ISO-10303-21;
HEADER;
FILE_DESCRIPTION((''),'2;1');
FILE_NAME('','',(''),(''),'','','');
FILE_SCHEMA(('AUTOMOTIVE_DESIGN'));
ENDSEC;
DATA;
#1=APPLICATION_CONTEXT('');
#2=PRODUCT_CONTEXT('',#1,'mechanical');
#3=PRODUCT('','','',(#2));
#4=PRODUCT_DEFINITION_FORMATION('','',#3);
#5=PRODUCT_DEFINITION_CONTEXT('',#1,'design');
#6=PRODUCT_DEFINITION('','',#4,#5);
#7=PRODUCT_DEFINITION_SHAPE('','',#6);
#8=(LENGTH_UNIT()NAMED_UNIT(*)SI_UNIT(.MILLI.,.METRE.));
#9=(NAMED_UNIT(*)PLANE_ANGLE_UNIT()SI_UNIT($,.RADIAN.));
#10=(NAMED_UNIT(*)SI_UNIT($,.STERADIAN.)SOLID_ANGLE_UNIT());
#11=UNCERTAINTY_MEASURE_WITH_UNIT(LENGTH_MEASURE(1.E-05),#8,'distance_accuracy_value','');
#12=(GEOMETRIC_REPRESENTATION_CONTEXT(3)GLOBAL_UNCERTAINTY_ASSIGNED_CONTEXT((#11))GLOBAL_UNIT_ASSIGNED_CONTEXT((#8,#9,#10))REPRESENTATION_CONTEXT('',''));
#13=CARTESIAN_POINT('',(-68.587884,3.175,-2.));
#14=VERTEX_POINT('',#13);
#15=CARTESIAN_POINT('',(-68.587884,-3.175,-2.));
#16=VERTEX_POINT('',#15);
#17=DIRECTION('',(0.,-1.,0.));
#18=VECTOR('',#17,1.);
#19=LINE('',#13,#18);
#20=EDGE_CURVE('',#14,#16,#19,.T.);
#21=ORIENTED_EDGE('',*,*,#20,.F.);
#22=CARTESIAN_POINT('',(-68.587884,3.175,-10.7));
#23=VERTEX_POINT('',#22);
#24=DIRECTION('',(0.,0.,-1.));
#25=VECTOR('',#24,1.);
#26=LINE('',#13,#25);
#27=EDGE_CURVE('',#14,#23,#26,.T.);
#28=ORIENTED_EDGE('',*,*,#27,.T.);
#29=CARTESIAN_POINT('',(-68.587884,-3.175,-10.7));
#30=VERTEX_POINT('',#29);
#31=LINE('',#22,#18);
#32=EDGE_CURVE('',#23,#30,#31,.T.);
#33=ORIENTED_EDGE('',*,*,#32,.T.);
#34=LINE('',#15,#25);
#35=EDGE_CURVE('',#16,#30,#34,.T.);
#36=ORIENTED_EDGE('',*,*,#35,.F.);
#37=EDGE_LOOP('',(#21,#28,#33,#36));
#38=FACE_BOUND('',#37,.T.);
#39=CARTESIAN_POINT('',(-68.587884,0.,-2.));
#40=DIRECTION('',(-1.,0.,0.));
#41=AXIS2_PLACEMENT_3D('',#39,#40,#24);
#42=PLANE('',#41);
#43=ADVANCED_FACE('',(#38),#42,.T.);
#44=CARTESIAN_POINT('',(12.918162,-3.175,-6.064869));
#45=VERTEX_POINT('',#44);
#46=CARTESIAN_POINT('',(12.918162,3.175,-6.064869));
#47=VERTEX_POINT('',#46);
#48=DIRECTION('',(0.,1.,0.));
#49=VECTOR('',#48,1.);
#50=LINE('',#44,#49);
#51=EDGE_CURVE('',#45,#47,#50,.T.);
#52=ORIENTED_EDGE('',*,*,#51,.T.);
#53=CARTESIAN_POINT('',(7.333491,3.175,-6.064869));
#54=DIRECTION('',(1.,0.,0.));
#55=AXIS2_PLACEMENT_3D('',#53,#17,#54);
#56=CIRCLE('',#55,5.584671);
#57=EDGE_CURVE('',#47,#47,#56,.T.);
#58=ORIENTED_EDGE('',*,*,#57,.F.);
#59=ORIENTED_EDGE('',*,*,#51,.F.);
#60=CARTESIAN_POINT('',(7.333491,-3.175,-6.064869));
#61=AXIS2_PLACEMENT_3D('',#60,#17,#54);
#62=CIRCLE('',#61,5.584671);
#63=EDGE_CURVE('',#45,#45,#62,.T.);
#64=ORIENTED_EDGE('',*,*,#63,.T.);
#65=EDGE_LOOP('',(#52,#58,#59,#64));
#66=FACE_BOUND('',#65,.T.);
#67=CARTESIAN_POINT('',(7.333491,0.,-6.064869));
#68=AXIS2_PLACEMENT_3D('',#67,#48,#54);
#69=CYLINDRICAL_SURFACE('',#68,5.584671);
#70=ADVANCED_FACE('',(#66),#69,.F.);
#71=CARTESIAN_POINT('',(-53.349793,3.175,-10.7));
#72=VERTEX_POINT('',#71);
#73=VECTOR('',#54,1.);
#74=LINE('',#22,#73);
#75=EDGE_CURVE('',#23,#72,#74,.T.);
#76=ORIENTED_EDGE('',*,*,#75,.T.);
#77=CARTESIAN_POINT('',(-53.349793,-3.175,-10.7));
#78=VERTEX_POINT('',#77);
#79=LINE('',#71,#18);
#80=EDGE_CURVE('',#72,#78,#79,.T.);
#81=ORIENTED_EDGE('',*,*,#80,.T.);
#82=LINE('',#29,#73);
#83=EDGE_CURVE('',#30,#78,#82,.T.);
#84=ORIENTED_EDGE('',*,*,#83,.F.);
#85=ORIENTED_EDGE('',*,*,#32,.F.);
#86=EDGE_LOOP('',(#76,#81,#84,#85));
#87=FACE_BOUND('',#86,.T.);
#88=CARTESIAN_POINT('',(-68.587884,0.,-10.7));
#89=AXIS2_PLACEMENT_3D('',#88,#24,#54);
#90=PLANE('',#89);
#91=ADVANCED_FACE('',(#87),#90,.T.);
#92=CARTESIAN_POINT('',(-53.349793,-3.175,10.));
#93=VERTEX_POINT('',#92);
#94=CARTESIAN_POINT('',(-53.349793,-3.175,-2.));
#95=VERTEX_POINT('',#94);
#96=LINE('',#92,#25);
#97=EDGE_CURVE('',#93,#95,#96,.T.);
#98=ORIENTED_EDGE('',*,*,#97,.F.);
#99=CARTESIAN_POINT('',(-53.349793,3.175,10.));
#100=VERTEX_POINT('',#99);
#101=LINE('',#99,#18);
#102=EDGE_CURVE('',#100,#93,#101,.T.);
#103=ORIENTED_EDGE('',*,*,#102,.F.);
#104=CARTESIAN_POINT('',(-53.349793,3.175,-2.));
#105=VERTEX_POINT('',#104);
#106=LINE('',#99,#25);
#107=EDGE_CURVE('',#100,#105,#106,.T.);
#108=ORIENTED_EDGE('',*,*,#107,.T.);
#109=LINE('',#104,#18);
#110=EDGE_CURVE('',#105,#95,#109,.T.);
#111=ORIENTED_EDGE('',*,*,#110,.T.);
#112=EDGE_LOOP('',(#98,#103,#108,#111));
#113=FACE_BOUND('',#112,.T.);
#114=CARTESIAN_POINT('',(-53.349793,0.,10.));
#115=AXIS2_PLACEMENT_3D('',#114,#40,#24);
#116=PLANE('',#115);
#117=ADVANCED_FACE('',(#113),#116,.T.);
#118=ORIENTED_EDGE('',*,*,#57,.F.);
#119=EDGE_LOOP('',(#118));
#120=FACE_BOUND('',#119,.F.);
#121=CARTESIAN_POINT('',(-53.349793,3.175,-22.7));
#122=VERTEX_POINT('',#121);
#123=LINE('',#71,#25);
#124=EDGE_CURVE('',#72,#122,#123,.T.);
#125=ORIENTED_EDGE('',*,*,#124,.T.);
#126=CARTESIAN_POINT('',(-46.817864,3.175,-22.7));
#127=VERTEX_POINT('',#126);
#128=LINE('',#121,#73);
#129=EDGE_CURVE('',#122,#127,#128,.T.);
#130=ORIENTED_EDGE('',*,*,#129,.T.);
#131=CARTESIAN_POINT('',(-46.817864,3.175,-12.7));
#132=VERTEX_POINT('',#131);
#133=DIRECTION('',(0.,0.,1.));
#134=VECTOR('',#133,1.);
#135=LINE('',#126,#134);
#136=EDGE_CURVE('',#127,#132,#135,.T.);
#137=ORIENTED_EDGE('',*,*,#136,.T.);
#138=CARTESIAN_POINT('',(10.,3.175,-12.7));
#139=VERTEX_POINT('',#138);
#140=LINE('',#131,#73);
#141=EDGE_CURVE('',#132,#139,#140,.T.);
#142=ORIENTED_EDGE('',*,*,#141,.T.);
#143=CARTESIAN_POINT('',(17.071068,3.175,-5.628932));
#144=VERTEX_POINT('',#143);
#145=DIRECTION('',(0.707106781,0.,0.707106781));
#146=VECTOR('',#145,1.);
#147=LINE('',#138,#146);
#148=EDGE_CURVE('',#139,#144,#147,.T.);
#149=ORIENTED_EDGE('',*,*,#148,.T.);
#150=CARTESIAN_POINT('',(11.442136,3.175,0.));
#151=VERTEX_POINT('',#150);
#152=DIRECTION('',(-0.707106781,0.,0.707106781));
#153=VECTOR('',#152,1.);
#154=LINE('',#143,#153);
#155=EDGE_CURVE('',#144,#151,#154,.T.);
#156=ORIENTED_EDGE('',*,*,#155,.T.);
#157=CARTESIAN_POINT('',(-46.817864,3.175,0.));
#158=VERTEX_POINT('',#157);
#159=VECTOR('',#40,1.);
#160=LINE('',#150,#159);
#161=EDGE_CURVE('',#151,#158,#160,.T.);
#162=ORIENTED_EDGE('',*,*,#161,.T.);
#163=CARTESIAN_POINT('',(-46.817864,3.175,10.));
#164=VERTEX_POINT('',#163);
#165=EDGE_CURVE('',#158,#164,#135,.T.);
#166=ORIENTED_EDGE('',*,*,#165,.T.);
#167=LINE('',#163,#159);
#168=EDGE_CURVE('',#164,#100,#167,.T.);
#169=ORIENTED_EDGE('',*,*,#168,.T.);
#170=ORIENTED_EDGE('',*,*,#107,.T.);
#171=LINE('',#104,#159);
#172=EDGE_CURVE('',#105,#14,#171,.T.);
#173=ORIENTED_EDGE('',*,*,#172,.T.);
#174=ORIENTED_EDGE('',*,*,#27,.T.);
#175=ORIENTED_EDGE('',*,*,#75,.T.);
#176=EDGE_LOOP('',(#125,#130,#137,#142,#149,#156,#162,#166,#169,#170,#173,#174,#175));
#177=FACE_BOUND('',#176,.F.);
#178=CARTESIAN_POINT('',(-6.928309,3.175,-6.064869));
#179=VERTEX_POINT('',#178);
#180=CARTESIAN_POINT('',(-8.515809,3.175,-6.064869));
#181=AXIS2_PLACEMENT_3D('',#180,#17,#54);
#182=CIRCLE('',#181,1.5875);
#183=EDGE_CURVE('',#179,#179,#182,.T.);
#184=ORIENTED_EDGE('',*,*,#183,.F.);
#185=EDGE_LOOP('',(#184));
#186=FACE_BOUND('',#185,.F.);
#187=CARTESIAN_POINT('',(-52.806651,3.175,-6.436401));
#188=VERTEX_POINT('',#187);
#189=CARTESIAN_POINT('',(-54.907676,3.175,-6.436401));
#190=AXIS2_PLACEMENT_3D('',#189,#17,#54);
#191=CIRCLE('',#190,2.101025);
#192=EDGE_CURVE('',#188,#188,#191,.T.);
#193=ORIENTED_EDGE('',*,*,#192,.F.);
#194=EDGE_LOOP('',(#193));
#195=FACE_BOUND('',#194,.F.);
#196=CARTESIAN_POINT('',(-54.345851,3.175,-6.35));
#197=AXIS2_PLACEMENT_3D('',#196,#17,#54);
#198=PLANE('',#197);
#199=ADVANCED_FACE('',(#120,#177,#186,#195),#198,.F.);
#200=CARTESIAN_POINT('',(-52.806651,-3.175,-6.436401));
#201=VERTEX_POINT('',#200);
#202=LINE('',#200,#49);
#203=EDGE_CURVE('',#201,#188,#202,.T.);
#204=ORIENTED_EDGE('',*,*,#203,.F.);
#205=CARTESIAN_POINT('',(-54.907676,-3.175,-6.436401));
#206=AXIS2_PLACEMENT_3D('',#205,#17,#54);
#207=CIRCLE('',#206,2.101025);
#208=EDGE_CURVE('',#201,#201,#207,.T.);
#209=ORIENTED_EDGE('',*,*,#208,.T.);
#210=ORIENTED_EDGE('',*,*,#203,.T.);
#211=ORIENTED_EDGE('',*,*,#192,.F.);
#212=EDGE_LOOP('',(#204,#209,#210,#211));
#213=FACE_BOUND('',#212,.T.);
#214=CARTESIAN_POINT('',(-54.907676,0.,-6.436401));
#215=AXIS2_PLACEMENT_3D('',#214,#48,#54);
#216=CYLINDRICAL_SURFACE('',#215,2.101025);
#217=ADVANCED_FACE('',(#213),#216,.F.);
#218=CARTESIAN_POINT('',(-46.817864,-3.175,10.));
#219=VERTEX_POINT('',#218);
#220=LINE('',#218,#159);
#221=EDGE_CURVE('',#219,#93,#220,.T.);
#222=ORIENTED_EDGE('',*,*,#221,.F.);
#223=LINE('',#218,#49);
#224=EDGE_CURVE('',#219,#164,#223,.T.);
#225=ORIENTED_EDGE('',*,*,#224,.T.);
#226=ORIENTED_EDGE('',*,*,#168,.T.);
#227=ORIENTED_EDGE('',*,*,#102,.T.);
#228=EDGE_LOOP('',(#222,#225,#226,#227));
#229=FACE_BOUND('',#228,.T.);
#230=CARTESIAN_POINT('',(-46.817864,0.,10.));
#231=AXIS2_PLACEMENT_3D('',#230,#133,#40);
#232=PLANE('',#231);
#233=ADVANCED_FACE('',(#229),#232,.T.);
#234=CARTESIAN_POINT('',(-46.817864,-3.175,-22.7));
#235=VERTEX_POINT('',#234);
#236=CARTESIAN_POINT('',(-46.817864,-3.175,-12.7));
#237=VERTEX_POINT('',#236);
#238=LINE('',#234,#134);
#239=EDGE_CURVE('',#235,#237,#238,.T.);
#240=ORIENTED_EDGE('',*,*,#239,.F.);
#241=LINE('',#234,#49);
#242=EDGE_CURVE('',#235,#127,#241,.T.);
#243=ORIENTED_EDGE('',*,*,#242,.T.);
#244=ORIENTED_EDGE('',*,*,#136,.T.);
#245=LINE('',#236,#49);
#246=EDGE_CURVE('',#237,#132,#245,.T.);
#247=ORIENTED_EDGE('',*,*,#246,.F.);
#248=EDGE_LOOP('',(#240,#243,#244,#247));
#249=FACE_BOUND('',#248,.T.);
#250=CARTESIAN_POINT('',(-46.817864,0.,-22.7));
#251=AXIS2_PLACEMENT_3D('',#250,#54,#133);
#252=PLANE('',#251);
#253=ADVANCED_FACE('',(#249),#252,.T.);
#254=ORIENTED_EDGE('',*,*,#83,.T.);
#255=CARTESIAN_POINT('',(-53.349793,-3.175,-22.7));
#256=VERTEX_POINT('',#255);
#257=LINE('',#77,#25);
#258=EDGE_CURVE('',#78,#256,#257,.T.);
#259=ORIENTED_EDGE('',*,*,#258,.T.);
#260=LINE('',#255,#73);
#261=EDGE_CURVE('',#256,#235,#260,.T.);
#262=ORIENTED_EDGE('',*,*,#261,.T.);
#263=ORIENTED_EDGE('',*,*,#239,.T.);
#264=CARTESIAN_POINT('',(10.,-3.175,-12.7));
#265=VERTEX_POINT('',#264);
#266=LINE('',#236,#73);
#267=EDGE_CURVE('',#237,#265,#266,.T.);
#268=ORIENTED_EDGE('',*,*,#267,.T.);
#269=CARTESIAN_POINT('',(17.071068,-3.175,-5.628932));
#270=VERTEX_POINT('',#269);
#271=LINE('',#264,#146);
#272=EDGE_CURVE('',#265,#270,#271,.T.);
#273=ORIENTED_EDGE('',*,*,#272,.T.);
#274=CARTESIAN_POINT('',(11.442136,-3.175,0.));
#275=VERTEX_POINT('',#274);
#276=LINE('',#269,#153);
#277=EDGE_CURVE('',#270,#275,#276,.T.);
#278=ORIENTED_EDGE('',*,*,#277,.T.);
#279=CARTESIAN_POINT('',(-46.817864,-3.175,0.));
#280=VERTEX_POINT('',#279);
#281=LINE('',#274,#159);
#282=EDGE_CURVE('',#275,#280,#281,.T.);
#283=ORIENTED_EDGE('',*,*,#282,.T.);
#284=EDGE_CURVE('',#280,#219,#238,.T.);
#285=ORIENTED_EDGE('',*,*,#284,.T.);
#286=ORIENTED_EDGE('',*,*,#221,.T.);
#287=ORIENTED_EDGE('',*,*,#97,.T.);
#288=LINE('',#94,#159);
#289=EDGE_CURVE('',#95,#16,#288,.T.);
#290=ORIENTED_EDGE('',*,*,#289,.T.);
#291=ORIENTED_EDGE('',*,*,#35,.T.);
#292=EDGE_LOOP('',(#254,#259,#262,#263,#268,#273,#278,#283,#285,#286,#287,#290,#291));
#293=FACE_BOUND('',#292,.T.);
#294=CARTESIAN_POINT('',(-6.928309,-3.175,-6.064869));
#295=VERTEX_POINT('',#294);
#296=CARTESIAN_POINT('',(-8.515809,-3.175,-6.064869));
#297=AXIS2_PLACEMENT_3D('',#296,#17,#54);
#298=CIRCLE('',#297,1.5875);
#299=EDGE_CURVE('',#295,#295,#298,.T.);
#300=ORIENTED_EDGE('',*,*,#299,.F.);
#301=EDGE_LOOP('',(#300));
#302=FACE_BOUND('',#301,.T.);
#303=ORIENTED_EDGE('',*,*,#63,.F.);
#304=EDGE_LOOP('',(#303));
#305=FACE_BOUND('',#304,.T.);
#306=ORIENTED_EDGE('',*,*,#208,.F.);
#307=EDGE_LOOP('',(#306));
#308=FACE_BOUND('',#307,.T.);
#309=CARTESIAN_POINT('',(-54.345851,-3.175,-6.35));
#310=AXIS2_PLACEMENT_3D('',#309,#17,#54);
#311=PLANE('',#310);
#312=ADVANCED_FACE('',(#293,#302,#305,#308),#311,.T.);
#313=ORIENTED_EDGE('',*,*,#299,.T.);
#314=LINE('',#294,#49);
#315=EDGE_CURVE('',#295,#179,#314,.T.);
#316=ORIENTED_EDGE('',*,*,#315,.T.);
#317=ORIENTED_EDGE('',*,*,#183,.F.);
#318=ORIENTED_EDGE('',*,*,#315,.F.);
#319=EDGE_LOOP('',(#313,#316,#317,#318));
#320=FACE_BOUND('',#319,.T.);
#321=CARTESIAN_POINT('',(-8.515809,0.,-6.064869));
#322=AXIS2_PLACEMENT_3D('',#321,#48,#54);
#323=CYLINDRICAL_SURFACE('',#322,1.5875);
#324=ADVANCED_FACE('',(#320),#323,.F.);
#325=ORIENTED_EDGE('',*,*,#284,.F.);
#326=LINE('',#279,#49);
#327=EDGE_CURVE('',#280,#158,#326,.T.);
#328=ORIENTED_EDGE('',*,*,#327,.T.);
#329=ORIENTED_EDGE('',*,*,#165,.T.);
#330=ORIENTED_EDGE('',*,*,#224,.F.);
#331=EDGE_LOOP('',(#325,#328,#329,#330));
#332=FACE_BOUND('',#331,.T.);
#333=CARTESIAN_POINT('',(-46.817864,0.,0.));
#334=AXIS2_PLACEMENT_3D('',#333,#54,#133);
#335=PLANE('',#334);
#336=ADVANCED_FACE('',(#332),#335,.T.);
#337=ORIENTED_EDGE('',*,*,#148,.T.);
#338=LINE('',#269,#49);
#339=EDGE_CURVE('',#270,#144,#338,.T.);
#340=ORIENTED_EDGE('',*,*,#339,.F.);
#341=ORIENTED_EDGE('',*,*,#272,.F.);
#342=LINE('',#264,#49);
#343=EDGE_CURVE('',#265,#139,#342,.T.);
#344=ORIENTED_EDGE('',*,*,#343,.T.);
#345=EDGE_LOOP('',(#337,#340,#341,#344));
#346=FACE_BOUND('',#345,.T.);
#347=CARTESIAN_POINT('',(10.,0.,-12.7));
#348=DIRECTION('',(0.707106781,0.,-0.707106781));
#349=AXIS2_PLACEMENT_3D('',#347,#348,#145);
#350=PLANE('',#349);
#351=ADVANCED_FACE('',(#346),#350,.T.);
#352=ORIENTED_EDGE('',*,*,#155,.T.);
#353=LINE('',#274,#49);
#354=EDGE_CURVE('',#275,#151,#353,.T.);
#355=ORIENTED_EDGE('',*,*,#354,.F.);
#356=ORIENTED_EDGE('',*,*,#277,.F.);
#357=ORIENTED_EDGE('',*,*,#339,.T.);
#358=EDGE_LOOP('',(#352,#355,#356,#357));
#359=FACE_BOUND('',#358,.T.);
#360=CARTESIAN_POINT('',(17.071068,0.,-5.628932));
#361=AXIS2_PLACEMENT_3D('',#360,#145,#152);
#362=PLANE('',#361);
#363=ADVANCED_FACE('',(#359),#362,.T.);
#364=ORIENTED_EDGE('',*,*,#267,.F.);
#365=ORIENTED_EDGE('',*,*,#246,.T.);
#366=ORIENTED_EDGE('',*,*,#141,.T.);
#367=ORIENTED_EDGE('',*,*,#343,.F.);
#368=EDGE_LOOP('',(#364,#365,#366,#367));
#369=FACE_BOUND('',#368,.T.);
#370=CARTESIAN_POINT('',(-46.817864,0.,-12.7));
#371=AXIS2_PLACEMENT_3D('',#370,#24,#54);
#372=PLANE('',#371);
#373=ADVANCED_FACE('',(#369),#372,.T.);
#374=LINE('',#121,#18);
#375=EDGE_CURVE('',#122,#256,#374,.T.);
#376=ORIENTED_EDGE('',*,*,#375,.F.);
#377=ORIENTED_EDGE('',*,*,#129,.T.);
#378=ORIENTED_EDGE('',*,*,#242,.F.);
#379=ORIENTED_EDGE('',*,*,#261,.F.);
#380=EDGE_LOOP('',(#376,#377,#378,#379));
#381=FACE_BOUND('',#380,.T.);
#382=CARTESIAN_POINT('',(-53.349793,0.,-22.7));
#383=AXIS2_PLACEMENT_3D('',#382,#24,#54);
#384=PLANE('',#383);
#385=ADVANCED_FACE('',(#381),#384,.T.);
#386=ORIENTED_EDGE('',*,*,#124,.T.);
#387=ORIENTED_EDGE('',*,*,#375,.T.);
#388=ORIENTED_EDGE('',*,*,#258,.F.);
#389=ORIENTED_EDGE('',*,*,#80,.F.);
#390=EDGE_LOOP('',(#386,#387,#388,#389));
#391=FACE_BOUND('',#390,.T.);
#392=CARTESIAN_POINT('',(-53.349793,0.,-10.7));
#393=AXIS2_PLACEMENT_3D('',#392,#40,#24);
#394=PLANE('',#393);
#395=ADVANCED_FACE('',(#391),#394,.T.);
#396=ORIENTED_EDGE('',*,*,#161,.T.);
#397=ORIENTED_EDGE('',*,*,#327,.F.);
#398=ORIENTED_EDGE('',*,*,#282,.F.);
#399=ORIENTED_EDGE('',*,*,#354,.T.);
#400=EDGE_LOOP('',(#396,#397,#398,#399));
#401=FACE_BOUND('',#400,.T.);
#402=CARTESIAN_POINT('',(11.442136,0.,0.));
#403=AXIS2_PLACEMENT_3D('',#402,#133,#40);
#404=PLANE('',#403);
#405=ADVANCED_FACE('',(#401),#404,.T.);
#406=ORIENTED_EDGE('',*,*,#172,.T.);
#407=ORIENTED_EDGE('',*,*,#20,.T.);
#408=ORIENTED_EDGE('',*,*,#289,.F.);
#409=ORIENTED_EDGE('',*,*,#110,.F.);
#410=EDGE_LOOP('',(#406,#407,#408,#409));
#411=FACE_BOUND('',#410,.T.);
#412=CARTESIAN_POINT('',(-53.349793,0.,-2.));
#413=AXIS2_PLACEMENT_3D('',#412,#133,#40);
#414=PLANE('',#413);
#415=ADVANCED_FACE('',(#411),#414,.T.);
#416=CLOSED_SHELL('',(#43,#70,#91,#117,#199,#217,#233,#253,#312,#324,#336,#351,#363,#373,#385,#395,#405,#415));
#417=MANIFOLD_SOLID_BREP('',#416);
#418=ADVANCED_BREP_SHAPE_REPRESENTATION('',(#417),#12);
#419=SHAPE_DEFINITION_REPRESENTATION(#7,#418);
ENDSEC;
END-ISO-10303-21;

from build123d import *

# Parameters (mm, degrees)
F0_R     = 2.101025
F0_R_2   = 1.5875
F0_R_3   = 5.584671
F1_DEPTH = 3.175


with BuildPart() as f1:
    # F0 (on Front) → F1 (new body, symmetric)
    with BuildSketch(Plane.XZ):
        Polygon((-46.817864, -12.7), (-46.817864, 0), (-46.817864, 10), (-53.349793, 10), (-53.349793, -2), (-68.587884, -2), (-68.587884, -10.7), (-53.349793, -10.7), (-53.349793, -22.7), (-46.817864, -22.7), align=None)
        with Locations((-54.907676, -6.436401)):
            Circle(F0_R, mode=Mode.SUBTRACT)
        Polygon((11.442136, 0), (1.442136, 0), (-46.817864, 0), (-46.817864, -12.7), (0, -12.7), (10, -12.7), (17.071068, -5.628932), align=None)
        with Locations((-8.515809, -6.064869)):
            Circle(F0_R_2, mode=Mode.SUBTRACT)
        with Locations((7.333491, -6.064869)):
            Circle(F0_R_3, mode=Mode.SUBTRACT)
    extrude(amount=F1_DEPTH, both=True)


solid = f1.part
